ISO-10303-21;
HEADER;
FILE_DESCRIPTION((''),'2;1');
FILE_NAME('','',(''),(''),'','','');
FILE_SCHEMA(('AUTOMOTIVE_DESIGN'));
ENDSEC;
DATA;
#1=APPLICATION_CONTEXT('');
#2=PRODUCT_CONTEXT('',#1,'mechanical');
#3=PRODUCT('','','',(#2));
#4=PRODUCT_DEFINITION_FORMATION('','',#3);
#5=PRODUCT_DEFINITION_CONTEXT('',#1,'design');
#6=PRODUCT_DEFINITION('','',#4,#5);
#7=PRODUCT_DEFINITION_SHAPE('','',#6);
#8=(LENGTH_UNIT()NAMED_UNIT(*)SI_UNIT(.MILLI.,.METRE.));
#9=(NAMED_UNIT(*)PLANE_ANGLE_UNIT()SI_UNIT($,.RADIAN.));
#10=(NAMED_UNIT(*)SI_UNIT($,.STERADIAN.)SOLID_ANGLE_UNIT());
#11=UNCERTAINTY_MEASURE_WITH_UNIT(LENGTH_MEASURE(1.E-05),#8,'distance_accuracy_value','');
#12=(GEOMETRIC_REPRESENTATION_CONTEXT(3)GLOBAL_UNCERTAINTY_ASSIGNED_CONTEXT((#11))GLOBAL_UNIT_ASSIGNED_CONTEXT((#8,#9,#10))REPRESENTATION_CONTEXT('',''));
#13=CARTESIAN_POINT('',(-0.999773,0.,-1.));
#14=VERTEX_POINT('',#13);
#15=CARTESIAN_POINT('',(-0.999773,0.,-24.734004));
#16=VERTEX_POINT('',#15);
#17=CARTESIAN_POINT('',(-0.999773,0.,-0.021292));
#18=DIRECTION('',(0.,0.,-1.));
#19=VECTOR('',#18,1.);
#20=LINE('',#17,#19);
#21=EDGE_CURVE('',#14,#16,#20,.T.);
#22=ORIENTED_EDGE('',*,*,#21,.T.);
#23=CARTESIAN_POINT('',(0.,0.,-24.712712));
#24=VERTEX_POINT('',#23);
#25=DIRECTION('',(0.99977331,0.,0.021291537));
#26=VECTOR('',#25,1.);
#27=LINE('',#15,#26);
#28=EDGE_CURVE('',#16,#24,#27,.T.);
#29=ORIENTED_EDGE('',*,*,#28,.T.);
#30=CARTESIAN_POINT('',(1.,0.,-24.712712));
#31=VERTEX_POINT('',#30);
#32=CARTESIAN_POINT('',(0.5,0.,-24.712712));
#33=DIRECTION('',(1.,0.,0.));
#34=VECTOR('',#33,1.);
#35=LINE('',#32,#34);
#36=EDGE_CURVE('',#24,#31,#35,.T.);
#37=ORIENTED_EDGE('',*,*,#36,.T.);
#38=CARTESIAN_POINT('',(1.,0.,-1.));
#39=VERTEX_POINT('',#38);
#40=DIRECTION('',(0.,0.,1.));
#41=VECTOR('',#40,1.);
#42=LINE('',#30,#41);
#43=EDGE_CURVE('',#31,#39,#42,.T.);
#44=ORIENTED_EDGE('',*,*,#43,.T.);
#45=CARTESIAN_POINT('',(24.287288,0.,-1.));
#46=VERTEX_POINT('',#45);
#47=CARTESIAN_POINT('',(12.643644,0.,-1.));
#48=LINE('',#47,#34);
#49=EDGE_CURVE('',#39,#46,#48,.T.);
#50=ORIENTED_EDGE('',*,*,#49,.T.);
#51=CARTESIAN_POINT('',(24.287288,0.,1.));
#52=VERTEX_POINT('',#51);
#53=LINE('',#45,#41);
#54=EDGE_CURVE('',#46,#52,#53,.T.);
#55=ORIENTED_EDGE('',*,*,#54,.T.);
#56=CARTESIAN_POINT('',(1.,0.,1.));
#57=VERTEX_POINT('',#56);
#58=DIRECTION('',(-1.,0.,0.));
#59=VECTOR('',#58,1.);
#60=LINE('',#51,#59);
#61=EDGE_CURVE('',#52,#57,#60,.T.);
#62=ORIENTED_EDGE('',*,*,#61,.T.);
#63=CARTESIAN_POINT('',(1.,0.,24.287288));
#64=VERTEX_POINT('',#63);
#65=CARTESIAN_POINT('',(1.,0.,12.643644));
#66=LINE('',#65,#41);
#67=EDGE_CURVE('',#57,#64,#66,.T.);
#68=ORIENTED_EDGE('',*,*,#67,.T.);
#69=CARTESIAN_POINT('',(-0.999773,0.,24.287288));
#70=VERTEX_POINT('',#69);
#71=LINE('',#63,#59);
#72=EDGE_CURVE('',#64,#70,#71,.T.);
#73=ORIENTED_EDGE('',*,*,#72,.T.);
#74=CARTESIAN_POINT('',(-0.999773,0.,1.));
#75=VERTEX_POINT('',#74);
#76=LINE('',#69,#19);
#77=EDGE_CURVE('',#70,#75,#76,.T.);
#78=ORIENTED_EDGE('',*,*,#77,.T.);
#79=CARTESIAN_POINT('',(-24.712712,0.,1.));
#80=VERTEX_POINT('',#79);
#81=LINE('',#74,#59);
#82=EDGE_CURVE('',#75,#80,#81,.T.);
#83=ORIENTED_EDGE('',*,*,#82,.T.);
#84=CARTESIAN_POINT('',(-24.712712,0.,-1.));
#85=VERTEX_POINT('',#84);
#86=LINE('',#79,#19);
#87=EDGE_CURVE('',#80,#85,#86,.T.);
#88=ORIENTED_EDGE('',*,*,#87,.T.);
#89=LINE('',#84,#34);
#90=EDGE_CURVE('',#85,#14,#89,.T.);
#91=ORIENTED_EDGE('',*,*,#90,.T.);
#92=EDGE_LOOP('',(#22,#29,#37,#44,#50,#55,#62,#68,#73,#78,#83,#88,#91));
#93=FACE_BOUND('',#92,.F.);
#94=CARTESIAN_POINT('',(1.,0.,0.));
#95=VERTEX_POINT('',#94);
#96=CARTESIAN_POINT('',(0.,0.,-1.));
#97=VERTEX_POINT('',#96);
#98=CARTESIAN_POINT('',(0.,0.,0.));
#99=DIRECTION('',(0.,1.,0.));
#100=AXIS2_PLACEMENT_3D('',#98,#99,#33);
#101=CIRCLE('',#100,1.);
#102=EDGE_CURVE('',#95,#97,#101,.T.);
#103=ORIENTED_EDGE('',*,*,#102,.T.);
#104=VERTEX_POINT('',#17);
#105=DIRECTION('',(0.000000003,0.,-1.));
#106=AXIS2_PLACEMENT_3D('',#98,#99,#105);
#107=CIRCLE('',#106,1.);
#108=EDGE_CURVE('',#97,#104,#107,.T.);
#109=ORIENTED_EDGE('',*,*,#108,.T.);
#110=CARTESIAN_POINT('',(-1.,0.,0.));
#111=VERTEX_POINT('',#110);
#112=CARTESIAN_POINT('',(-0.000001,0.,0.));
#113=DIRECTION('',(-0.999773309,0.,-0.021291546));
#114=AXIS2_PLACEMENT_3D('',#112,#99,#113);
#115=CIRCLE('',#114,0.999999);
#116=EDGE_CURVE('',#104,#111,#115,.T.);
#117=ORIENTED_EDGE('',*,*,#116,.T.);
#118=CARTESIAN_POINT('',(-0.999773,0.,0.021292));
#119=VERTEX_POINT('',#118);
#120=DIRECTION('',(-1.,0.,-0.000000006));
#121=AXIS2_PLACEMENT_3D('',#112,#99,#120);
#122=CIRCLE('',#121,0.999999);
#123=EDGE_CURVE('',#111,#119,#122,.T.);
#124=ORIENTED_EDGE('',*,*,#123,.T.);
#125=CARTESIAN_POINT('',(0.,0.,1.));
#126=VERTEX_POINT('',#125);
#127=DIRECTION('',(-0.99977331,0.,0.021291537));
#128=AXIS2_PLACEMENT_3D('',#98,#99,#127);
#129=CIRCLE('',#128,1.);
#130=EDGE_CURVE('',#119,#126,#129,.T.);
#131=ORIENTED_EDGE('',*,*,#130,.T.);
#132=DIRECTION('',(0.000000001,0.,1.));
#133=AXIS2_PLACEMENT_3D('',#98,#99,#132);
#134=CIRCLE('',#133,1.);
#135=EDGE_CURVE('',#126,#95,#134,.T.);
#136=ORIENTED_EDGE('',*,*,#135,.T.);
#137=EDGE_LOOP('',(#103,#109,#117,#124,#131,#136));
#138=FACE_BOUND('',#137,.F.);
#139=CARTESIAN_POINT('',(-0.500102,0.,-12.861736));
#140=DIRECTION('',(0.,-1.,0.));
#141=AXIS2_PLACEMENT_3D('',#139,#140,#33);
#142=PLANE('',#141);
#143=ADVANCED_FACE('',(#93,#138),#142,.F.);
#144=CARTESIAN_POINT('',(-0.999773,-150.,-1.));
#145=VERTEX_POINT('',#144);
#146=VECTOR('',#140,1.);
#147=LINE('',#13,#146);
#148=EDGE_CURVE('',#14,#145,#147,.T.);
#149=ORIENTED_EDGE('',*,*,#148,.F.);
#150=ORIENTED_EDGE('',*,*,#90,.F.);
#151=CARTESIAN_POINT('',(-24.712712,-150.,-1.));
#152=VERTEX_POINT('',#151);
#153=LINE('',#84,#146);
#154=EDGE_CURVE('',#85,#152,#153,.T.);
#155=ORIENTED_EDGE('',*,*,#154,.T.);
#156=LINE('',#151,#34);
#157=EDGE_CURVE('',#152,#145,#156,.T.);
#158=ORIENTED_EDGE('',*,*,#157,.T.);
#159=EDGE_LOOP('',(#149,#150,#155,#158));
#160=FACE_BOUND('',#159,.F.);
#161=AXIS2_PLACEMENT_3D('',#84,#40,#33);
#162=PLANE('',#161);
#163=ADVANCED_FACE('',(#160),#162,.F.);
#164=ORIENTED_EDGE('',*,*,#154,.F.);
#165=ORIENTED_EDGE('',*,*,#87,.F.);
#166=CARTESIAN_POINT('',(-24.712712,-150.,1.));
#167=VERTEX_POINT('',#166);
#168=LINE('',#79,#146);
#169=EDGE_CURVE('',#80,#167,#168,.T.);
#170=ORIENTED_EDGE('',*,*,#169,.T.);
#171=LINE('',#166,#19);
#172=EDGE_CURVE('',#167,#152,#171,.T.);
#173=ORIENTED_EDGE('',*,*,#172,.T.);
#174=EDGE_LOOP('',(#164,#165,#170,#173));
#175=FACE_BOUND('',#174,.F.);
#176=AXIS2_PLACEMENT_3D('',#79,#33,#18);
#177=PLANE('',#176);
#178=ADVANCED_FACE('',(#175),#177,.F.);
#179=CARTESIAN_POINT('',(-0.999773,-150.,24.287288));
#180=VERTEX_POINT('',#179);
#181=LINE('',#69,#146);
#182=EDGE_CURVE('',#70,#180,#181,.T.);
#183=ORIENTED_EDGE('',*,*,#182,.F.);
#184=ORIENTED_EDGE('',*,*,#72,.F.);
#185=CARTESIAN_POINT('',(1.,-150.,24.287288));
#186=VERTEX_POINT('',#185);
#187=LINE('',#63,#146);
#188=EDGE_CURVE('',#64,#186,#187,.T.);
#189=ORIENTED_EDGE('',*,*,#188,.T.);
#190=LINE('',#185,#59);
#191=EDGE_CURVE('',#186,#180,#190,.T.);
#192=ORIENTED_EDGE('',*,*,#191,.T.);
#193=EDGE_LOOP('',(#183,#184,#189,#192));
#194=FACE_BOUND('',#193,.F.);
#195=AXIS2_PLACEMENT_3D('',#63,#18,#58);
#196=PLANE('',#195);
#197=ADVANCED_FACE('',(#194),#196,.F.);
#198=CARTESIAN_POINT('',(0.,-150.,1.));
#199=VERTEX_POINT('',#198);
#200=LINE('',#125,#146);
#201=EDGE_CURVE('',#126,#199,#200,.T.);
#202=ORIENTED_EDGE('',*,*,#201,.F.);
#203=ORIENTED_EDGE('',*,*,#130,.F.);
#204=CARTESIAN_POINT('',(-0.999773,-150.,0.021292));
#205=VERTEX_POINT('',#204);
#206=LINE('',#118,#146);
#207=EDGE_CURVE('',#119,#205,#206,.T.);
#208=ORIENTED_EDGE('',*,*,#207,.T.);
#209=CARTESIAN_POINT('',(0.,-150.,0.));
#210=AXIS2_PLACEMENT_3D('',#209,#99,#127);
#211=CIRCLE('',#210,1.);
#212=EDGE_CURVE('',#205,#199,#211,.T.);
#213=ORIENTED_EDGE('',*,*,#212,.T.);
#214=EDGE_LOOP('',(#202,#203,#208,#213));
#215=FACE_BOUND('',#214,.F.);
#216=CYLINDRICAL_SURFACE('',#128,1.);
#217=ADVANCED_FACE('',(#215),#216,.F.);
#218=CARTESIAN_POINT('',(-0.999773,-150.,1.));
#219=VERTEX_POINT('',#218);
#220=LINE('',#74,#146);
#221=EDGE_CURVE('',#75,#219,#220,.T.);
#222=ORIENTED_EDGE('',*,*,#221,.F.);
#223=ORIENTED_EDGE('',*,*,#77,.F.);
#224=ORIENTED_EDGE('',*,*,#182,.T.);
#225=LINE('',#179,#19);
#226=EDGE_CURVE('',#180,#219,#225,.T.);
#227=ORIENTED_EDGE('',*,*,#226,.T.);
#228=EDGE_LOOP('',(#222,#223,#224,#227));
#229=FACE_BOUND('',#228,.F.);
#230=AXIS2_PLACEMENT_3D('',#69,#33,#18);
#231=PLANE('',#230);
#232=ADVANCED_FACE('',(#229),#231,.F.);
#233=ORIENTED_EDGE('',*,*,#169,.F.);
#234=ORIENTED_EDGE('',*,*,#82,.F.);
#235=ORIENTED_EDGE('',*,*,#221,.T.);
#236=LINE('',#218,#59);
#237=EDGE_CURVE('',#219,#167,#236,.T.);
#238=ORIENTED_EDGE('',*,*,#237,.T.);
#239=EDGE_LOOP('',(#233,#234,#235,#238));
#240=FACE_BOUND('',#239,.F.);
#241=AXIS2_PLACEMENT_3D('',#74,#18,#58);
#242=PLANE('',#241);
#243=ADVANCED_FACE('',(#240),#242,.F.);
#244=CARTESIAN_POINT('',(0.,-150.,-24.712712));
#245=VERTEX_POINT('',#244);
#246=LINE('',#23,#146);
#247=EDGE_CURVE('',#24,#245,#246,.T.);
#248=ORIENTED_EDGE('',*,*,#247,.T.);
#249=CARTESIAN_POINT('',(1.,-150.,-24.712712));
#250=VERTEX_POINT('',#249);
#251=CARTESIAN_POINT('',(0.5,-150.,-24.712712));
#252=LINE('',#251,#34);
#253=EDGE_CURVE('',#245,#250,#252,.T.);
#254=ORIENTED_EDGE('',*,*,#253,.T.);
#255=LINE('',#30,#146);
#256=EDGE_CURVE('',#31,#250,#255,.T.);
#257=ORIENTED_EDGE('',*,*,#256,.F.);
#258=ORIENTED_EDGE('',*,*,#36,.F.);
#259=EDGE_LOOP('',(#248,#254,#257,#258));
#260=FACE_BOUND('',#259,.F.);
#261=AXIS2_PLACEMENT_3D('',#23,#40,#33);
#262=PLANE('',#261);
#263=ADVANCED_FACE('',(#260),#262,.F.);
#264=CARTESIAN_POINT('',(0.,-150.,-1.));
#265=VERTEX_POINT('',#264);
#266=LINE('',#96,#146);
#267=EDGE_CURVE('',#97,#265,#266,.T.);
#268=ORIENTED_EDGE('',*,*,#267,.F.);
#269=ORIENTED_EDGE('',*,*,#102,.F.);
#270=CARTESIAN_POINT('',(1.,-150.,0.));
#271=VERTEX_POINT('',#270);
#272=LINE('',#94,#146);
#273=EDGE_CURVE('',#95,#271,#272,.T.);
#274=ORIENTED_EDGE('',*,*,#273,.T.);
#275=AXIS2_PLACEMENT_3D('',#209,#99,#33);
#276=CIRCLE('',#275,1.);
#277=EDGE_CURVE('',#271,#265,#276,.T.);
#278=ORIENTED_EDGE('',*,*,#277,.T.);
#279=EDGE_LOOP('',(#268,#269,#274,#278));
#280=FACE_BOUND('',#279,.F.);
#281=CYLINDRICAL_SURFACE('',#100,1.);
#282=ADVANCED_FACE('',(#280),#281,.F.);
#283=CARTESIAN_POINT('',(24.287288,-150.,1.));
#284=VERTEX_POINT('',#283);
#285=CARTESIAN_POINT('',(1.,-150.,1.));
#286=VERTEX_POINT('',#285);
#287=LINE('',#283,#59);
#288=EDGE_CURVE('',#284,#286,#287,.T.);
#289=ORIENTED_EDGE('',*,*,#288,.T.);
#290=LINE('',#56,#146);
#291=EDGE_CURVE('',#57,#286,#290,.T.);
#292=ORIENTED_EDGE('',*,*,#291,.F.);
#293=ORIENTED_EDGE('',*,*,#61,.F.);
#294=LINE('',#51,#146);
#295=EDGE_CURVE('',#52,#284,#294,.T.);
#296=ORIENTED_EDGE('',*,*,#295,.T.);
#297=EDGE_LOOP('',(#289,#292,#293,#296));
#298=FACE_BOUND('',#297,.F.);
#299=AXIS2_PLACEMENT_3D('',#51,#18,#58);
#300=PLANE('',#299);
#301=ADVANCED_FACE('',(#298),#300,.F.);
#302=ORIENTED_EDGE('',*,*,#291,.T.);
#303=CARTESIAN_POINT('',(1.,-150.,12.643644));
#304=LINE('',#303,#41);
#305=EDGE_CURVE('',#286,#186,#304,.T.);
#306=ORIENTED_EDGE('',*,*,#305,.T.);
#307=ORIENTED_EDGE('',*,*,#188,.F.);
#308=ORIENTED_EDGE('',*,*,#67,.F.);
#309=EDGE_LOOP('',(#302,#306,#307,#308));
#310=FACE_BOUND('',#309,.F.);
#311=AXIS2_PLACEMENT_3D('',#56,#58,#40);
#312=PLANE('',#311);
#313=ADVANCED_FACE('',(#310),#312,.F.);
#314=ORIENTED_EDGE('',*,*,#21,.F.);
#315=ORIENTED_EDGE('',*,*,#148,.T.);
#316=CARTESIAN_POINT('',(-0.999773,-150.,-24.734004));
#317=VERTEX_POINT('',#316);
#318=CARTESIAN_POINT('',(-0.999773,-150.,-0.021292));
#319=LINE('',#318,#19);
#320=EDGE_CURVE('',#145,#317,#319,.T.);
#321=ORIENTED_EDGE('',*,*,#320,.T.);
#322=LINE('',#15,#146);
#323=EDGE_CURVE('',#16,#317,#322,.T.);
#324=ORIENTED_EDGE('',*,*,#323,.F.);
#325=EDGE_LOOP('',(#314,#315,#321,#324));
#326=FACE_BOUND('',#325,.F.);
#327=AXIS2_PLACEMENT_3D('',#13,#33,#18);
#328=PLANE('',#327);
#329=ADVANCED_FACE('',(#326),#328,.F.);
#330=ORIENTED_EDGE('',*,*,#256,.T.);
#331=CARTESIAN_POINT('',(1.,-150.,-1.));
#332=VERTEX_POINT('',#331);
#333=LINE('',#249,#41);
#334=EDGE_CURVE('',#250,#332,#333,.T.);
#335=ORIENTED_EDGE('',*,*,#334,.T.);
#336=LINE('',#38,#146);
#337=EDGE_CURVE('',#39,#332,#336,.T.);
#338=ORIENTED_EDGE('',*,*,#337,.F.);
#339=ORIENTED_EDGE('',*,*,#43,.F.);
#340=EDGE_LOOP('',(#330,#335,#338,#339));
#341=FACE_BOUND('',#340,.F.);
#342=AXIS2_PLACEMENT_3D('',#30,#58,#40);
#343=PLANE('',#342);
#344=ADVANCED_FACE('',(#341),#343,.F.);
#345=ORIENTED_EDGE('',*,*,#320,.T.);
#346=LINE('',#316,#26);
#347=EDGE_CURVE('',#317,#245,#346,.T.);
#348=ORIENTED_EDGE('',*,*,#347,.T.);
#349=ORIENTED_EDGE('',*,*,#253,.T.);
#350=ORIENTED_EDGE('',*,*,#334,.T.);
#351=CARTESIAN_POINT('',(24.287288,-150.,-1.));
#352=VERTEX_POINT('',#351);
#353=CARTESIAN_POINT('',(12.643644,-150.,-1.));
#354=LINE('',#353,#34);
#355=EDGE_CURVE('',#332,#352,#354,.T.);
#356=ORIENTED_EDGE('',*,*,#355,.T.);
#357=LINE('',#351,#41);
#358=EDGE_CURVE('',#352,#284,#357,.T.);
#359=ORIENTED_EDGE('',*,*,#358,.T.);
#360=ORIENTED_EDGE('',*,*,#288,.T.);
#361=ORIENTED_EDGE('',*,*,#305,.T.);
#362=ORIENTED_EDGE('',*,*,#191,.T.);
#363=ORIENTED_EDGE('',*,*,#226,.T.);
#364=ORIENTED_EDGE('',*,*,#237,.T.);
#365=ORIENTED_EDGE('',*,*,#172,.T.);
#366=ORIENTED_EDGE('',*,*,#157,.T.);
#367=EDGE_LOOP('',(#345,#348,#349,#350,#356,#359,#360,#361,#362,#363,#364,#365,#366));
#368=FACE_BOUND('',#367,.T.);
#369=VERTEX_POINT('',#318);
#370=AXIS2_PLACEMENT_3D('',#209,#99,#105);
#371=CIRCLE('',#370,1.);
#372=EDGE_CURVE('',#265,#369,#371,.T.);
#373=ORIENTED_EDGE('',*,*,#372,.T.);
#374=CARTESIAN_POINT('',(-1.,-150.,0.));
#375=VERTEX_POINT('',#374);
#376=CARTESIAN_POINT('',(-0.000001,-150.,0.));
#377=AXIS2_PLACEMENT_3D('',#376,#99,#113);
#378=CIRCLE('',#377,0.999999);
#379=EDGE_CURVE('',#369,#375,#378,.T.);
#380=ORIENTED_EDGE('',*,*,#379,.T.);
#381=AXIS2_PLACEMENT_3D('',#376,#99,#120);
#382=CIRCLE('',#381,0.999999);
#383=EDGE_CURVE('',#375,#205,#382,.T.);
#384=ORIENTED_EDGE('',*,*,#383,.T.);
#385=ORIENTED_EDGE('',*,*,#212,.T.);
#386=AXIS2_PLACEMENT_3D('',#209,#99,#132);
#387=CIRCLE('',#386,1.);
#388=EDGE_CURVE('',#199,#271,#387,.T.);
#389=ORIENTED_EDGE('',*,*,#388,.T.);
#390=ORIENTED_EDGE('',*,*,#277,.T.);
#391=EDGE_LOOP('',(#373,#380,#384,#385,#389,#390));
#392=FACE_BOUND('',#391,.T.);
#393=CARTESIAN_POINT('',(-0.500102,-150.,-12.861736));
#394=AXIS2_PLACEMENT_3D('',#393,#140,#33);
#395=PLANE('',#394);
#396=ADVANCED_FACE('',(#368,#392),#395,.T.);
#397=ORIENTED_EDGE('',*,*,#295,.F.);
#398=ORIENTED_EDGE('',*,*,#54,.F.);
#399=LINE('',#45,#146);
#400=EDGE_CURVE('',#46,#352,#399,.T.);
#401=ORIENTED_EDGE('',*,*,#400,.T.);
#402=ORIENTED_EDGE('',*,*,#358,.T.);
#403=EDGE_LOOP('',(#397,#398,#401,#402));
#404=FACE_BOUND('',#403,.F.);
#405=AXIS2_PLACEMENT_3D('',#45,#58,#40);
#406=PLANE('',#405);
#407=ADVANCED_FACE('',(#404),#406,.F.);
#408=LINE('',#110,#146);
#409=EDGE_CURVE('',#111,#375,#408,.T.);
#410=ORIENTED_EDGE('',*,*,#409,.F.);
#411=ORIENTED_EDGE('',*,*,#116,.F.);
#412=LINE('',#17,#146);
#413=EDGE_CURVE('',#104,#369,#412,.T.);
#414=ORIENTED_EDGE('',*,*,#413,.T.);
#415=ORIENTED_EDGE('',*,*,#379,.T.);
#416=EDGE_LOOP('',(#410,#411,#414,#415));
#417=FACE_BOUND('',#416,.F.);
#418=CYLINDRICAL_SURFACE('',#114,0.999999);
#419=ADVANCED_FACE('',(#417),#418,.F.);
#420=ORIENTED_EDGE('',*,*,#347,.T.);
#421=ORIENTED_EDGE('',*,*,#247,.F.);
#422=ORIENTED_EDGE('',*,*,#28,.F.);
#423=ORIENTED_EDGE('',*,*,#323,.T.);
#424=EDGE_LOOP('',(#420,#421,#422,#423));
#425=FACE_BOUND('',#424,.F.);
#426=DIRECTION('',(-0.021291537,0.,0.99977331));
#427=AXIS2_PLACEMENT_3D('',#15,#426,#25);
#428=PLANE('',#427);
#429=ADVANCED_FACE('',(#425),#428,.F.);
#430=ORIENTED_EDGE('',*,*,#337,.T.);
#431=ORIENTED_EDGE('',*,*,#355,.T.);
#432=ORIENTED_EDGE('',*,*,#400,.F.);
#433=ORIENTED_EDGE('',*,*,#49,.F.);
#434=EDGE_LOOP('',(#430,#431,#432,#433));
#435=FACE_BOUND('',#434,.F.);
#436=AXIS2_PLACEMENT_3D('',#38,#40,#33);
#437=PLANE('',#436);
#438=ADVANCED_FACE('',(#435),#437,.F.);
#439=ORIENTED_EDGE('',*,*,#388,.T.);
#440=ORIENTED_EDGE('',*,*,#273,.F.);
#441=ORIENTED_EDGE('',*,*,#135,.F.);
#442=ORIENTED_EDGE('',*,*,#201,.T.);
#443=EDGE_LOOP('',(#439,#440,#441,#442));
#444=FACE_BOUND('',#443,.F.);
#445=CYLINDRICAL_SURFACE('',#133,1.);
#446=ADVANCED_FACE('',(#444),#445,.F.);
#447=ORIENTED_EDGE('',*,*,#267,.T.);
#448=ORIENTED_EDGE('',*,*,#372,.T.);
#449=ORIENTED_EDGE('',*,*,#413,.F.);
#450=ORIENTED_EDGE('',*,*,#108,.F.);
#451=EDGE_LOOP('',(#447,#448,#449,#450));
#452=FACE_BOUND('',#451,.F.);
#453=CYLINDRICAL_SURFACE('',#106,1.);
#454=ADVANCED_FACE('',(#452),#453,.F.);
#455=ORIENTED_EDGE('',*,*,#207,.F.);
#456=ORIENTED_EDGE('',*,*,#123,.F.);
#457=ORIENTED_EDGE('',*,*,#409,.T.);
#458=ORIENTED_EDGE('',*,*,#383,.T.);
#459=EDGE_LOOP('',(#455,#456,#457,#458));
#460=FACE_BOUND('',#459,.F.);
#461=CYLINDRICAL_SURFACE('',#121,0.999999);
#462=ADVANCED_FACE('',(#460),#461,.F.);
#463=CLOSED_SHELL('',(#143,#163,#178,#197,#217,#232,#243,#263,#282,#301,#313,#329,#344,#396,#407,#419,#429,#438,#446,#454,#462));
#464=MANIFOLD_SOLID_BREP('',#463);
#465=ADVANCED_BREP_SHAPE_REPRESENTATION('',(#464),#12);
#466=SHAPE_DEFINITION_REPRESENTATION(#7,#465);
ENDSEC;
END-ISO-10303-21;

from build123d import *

# Parameters (mm, degrees)
F0_W     = 1
F0_H     = 23.712712457
F0_W_2   = 23.287287543
F0_H_2   = 1
F0_W_3   = 0.9997733106
F0_H_3   = 23.287287543
F1_DEPTH = 150


with BuildPart() as f1:
    # F0 (on Front) → F1 (new body)
    with BuildSketch(Plane.XZ):
        Polygon((-0.9997733095, -24.7340039941), (0, -24.712712457), (0, -1), (-0.9997733095, -1), align=None)
        with Locations((0.5, -12.8563562285)):
            Rectangle(F0_W, F0_H)
        with BuildLine():
            ThreePointArc((1, 0), (0.7071067822, -0.7071067802), (2.9e-09, -1))
            Line((2.9e-09, -1), (1, -1))
            Line((1, -1), (1, 0))
        make_face()
        with BuildLine():
            Line((-0.9997733095, -1), (2.9e-09, -1))
            ThreePointArc((2.9e-09, -1), (-0.6995385836, -0.7145948293), (-0.9997733095, -0.0212915371))
            Line((-0.9997733095, -0.0212915371), (-0.9997733095, -1))
        make_face()
        with BuildLine():
            Line((-24.712712457, -1), (-0.9997733095, -1))
            Line((-0.9997733095, -1), (-0.9997733095, -0.0212915371))
            ThreePointArc((-0.9997733095, -0.0212915371), (-0.9999433258, -0.0106463719), (-1, 0))
            Line((-1, 0), (-24.712712457, 0))
            Line((-24.712712457, 0), (-24.712712457, -1))
        make_face()
        with Locations((12.6436437715, -0.5)):
            Rectangle(F0_W_2, F0_H_2)
        with Locations((12.6436437715, 0.5)):
            Rectangle(F0_W_2, F0_H_2)
        with BuildLine():
            ThreePointArc((1e-09, 1), (0.7071067815, 0.7071067808), (1, 0))
            Line((1, 0), (1, 1))
            Line((1, 1), (1e-09, 1))
        make_face()
        with Locations((-0.4998866543, 12.6436437715)):
            Rectangle(F0_W_3, F0_H_3)
        with BuildLine():
            ThreePointArc((-0.9997733095, 0.0212915371), (-0.6995385843, 0.7145948286), (1e-09, 1))
            Line((1e-09, 1), (-0.9997733095, 1))
            Line((-0.9997733095, 1), (-0.9997733095, 0.0212915371))
        make_face()
        with Locations((0.5, 12.6436437715)):
            Rectangle(F0_W, F0_H_3)
        with BuildLine():
            Line((-24.712712457, 0), (-1, 0))
            ThreePointArc((-1, 0), (-0.9999433258, 0.0106463719), (-0.9997733095, 0.0212915371))
            Line((-0.9997733095, 0.0212915371), (-0.9997733095, 1))
            Line((-0.9997733095, 1), (-24.712712457, 1))
            Line((-24.712712457, 1), (-24.712712457, 0))
        make_face()
    extrude(amount=F1_DEPTH)


solid = f1.part
